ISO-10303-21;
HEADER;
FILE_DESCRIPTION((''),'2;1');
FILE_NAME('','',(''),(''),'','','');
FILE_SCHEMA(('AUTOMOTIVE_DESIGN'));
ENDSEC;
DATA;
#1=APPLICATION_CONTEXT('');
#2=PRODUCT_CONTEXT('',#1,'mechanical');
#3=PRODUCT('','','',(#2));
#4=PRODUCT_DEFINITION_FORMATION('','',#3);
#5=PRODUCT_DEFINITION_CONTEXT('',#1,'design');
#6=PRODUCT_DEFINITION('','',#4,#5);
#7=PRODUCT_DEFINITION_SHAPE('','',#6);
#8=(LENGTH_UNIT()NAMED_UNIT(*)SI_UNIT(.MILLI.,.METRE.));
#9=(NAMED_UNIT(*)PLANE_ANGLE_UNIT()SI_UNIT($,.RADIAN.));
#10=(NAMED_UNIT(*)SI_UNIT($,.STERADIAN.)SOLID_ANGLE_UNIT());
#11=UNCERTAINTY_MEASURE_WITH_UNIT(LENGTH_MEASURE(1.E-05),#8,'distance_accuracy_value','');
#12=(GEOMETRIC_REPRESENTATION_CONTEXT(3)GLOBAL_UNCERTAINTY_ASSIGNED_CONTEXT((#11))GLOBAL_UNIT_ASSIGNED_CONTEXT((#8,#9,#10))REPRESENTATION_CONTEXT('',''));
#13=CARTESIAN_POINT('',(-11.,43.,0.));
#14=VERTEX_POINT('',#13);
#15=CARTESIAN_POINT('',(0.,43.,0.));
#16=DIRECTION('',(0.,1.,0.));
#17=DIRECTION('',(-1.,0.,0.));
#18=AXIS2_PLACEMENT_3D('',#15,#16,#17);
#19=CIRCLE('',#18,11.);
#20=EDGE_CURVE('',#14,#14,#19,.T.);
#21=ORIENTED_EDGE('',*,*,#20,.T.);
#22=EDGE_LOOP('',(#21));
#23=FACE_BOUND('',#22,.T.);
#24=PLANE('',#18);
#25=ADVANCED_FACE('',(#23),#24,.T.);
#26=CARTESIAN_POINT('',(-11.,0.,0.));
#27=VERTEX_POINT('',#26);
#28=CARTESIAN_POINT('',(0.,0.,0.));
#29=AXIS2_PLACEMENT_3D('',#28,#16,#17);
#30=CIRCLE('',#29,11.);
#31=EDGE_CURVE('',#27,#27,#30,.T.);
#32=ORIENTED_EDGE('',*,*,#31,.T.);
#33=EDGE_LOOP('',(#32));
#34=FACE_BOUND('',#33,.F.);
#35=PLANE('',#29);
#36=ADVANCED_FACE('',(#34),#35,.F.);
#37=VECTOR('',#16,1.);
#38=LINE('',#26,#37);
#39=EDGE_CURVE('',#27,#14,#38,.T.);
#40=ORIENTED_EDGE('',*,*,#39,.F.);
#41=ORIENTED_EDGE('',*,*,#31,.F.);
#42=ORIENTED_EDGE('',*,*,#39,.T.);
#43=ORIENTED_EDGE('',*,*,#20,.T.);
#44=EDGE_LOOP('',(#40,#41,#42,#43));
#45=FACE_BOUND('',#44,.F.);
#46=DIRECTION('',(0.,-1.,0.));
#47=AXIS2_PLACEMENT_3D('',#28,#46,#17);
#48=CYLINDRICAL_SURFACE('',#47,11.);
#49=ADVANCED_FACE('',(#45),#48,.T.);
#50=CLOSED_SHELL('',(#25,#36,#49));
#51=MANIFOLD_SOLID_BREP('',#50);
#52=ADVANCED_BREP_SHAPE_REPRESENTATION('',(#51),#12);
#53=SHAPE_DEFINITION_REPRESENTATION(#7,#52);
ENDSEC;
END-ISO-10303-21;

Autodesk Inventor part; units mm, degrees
ref_plane "YZ Plane" through (0, 0, 0) normal (1, 0, 0) x (0, 1, 0)
ref_plane "XZ Plane" through (0, 0, 0) normal (0, 1, 0) x (-1, 0, 0)
ref_plane "XY Plane" through (0, 0, 0) normal (0, 0, 1) x (1, 0, 0)
sketch "Эскиз1" plane through (0, 0, 0) normal (0, 1, 0) x (-1, 0, 0)
  circle A0 centre (0, 0) radius 11
  dimension "d0" = 22
extrude "Выдавливание1" add sketch "Эскиз1" along normal blind 43
properties part number "Двигатель"
